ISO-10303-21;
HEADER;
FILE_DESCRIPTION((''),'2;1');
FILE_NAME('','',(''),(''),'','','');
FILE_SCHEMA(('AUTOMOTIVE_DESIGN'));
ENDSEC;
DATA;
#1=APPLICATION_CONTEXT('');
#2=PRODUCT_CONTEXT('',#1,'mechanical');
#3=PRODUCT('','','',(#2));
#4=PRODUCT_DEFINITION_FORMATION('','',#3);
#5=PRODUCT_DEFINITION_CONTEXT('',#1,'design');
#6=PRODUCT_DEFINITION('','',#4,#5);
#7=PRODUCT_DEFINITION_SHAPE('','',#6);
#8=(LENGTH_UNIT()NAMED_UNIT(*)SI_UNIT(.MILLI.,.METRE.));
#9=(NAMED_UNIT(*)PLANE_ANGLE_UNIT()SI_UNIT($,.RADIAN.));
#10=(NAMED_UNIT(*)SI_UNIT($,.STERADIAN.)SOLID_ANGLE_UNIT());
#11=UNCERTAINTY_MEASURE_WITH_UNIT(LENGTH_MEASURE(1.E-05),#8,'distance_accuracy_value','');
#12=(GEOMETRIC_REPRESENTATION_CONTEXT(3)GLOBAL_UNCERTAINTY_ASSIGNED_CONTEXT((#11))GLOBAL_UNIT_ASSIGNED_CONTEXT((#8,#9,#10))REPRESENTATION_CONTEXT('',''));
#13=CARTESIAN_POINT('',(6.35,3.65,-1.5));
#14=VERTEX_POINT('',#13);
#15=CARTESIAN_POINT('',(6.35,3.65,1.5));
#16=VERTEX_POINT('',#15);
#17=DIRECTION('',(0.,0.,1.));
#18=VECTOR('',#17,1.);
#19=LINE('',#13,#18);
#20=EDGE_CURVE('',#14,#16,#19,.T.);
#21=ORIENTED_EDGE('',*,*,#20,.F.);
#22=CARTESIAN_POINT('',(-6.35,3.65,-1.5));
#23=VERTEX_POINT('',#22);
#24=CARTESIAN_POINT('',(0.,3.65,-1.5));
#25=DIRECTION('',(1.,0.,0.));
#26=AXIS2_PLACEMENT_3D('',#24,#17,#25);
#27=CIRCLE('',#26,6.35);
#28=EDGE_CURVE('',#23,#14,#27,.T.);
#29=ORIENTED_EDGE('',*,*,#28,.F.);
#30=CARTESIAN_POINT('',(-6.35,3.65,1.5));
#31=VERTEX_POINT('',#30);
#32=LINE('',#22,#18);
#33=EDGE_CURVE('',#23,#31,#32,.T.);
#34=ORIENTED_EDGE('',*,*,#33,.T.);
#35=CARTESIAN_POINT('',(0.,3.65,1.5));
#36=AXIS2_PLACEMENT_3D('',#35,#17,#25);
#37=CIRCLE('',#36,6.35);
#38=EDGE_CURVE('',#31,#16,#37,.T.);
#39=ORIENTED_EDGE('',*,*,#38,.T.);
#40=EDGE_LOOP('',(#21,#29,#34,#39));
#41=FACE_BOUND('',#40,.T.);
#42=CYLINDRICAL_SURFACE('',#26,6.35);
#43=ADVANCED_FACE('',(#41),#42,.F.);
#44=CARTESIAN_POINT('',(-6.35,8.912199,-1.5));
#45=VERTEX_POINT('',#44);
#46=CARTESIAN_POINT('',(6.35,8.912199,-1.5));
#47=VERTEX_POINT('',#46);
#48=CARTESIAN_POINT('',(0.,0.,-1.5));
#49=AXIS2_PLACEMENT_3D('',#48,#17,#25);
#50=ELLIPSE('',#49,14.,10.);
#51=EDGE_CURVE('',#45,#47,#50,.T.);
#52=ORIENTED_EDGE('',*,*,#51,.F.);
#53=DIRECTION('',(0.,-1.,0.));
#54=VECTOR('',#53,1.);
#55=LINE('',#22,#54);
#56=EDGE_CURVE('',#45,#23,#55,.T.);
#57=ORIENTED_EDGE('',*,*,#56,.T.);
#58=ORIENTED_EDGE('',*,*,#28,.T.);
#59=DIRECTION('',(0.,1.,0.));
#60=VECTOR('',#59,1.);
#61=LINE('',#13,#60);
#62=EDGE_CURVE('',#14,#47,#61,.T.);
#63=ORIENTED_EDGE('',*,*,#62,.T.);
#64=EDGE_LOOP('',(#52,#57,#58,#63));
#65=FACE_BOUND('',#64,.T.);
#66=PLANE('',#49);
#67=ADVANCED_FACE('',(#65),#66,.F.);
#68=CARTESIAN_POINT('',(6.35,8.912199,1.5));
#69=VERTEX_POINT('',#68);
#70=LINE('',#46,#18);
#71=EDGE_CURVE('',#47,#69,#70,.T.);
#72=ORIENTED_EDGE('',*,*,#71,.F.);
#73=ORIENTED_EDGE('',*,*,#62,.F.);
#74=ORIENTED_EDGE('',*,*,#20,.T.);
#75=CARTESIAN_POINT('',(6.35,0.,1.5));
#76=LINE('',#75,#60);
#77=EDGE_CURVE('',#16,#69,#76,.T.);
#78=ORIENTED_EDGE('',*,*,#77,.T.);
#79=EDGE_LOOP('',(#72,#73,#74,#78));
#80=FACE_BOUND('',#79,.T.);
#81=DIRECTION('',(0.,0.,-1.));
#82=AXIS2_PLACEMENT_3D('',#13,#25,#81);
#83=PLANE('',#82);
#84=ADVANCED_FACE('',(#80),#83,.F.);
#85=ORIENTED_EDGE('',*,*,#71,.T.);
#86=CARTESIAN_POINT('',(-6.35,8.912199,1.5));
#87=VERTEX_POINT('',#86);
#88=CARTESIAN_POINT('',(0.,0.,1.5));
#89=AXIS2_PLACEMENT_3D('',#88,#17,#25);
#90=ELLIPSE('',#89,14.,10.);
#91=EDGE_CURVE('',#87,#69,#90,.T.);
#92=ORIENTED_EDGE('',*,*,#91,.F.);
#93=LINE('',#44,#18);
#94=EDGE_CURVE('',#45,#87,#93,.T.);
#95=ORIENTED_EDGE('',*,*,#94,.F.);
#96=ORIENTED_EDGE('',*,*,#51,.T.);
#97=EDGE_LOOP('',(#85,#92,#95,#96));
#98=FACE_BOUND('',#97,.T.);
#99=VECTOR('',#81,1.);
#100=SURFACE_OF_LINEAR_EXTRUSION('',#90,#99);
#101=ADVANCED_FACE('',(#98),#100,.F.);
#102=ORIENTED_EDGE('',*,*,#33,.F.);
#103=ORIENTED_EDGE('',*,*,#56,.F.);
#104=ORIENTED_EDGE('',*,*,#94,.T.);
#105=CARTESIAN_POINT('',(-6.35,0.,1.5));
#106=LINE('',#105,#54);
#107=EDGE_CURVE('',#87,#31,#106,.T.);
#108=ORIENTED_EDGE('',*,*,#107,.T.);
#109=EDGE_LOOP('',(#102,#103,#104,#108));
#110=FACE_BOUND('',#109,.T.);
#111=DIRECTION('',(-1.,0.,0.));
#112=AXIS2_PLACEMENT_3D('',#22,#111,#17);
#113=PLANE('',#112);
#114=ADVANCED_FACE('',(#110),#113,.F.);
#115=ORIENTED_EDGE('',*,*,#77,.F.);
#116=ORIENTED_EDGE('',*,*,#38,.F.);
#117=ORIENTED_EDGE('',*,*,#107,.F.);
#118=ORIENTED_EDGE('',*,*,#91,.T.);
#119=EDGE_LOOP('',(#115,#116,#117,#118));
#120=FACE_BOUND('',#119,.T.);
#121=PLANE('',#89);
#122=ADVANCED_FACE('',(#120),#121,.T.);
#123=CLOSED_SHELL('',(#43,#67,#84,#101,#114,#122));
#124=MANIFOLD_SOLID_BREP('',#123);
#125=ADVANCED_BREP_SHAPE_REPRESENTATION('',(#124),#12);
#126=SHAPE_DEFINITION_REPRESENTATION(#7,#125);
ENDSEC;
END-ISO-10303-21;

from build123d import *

# Parameters (mm, degrees)
SKETCH1_RX          = 14
SKETCH1_RY          = 10
RING_EXTRUDE_DEPTH  = 1.5
SPAR_CUT_DEPTH      = 18.464249197
SPAR_CUT_DEPTH_BACK = 18.464249197


with BuildPart() as part:
    # Sketch1 → Ring extrude (new, symmetric)
    with BuildSketch(Plane.XY):
        with Locations((0, 0)):
            Ellipse(SKETCH1_RX, SKETCH1_RY)
    extrude(amount=RING_EXTRUDE_DEPTH, both=True)

    # Sketch2 → Spar cut (cut, two sides: drawn at the far end of the back side and taken through both)
    with BuildSketch(Plane.XY.offset(1.5).offset(-SPAR_CUT_DEPTH_BACK)):
        with BuildLine():
            Line((-6.35, 3.65), (-6.35, 8.912199275))
            add(Edge.make_bspline(
                [(6.35, 8.912199275), (0, 11.220574957), (-6.35, 8.912199275)],
                knots=[1.100027707, 1.100027707, 1.100027707, 2.041564947, 2.041564947, 2.041564947], degree=2, weights=[1, 0.891219928, 1]))
            Line((6.35, 8.912199275), (6.35, 3.65))
            ThreePointArc((6.35, 3.65), (0, -2.7), (-6.35, 3.65))
        make_face()
    extrude(amount=SPAR_CUT_DEPTH + SPAR_CUT_DEPTH_BACK, mode=Mode.SUBTRACT)


solid = part.part
